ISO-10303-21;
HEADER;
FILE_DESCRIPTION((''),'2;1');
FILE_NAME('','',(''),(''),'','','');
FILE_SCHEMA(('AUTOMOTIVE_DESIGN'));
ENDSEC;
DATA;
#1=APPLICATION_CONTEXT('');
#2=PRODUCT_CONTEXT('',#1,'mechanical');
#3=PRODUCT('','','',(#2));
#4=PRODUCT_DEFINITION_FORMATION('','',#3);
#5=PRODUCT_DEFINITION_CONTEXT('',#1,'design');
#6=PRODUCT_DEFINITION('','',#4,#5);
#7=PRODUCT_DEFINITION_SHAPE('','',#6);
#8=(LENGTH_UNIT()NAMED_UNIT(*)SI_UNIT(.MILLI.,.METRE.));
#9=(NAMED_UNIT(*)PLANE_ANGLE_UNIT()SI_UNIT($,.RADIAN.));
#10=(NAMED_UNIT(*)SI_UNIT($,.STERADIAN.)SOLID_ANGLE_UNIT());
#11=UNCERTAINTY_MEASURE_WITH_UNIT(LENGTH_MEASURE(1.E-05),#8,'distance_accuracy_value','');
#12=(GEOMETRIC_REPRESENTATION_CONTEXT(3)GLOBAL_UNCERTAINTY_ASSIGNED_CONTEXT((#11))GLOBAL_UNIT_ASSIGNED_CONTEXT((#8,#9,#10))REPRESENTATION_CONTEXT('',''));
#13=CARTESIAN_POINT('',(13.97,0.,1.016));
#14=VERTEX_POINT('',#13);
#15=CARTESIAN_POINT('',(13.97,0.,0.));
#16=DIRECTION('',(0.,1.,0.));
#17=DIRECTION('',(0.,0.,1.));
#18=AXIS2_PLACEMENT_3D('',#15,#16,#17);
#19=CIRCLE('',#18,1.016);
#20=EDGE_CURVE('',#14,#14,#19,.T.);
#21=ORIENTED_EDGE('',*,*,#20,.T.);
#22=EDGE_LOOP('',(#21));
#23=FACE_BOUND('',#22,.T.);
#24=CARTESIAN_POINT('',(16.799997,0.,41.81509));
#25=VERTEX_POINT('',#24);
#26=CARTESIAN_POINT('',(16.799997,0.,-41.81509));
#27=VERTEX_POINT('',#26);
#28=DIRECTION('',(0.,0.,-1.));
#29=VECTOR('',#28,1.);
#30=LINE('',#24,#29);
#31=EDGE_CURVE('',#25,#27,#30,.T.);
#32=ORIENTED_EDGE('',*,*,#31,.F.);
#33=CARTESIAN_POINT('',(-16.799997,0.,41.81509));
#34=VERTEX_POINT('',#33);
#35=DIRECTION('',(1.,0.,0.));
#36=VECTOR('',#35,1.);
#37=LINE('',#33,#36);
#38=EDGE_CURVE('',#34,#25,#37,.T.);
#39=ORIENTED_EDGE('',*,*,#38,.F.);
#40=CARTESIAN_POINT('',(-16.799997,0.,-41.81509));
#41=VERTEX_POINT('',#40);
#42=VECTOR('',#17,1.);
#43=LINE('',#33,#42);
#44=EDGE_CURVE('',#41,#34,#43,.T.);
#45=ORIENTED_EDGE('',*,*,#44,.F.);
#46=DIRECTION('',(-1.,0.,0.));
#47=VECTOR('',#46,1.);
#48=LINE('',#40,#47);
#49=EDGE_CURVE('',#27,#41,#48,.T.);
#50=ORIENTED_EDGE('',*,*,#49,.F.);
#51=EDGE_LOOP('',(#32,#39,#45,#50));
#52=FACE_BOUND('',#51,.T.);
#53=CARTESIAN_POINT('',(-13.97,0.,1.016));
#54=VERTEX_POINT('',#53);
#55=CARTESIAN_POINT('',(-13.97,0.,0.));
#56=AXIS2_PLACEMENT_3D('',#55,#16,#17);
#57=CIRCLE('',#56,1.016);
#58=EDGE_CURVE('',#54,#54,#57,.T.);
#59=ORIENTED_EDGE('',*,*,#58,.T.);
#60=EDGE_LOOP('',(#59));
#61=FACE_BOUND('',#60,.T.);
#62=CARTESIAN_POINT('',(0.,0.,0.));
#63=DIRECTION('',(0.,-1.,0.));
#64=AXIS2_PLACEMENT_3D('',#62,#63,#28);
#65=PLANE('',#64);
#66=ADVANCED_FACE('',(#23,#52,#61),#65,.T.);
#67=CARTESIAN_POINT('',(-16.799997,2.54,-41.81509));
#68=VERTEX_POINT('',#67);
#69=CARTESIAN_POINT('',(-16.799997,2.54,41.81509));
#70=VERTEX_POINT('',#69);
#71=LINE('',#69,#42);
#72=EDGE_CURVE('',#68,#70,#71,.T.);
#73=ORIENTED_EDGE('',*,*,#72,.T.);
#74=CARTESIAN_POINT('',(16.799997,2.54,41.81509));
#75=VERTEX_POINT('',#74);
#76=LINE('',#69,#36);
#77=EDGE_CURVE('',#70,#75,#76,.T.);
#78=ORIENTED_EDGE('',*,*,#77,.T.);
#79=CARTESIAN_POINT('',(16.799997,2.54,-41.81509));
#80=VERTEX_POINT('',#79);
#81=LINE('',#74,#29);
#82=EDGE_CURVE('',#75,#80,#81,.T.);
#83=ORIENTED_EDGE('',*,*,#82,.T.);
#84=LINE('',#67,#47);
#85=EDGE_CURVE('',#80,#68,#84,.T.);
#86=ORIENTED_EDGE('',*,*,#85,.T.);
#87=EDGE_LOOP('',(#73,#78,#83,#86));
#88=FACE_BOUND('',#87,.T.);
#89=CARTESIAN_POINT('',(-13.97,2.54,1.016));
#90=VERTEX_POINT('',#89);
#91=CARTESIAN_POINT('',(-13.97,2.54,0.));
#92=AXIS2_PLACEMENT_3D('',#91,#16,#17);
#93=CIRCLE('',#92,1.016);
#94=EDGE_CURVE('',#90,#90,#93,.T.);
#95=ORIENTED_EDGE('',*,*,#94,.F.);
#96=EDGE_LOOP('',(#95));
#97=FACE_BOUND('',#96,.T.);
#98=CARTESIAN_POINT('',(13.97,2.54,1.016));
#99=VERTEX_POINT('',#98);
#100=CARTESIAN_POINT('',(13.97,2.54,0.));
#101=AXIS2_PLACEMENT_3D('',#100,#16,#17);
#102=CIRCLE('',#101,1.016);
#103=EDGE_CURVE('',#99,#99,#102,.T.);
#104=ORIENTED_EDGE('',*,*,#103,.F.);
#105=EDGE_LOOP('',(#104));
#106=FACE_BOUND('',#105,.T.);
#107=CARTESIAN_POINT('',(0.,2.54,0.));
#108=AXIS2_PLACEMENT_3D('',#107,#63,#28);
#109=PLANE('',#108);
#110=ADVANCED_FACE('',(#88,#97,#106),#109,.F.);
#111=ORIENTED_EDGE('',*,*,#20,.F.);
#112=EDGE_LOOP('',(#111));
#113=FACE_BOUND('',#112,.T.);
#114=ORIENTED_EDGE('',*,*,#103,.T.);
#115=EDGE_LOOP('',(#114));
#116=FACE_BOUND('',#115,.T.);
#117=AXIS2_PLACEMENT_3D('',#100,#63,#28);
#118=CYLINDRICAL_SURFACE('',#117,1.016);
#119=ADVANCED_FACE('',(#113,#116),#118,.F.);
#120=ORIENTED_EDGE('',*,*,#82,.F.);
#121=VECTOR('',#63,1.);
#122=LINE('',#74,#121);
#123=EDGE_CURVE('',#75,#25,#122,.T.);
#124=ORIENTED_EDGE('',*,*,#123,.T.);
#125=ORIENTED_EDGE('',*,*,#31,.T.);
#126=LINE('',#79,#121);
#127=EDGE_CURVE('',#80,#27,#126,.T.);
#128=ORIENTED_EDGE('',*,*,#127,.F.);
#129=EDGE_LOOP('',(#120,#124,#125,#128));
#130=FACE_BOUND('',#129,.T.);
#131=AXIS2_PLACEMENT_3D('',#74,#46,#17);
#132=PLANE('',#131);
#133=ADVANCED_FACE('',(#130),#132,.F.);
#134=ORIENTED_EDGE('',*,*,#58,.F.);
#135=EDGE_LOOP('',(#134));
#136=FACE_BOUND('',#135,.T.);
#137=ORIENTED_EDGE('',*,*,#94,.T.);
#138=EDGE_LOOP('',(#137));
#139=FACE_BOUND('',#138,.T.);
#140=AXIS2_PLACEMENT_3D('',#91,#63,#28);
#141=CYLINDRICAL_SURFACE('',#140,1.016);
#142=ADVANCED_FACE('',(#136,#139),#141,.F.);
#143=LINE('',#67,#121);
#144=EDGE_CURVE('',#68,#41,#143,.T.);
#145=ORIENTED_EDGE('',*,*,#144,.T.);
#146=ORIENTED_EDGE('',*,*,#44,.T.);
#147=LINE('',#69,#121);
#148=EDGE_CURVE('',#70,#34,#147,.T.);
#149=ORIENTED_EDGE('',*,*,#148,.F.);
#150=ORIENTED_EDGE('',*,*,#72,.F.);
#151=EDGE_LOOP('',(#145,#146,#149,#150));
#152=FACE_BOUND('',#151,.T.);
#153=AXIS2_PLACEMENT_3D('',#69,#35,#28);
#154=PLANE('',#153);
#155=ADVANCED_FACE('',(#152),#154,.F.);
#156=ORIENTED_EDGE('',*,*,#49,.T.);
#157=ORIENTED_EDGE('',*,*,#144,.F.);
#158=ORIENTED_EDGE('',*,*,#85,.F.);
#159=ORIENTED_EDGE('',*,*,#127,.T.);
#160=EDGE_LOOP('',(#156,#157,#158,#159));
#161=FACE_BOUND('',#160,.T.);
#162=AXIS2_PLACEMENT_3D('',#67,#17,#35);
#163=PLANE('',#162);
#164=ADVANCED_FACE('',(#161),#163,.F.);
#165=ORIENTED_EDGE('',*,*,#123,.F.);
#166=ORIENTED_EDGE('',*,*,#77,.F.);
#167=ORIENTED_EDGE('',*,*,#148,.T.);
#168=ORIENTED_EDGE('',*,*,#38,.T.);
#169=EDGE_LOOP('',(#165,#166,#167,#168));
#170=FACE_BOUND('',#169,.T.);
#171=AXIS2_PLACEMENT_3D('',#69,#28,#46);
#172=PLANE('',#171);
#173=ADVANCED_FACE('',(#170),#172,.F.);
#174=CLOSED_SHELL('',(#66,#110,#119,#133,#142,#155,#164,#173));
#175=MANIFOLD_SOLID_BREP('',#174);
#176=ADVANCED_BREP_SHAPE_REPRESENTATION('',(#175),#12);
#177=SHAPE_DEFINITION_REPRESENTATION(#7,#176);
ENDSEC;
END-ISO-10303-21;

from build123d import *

# Parameters (mm, degrees)
SKETCH1_W           = 33.599994698
SKETCH1_H           = 83.630179878
SKETCH1_R           = 1.016
BOSS_EXTRUDE1_DEPTH = 2.54


with BuildPart() as part:
    # Sketch1 → Boss-Extrude1 (new body)
    with BuildSketch(Plane(origin=(0, 0, 0), x_dir=(1, 0, 0), z_dir=(0, 1, 0))):
        Rectangle(SKETCH1_W, SKETCH1_H)
        with Locations(Location((-13.97, 0, 0), (0, 0, 270))):
            Circle(SKETCH1_R, mode=Mode.SUBTRACT)
        with Locations(Location((13.97, 0, 0), (0, 0, 270))):
            Circle(SKETCH1_R, mode=Mode.SUBTRACT)
    extrude(amount=BOSS_EXTRUDE1_DEPTH)


solid = part.part
